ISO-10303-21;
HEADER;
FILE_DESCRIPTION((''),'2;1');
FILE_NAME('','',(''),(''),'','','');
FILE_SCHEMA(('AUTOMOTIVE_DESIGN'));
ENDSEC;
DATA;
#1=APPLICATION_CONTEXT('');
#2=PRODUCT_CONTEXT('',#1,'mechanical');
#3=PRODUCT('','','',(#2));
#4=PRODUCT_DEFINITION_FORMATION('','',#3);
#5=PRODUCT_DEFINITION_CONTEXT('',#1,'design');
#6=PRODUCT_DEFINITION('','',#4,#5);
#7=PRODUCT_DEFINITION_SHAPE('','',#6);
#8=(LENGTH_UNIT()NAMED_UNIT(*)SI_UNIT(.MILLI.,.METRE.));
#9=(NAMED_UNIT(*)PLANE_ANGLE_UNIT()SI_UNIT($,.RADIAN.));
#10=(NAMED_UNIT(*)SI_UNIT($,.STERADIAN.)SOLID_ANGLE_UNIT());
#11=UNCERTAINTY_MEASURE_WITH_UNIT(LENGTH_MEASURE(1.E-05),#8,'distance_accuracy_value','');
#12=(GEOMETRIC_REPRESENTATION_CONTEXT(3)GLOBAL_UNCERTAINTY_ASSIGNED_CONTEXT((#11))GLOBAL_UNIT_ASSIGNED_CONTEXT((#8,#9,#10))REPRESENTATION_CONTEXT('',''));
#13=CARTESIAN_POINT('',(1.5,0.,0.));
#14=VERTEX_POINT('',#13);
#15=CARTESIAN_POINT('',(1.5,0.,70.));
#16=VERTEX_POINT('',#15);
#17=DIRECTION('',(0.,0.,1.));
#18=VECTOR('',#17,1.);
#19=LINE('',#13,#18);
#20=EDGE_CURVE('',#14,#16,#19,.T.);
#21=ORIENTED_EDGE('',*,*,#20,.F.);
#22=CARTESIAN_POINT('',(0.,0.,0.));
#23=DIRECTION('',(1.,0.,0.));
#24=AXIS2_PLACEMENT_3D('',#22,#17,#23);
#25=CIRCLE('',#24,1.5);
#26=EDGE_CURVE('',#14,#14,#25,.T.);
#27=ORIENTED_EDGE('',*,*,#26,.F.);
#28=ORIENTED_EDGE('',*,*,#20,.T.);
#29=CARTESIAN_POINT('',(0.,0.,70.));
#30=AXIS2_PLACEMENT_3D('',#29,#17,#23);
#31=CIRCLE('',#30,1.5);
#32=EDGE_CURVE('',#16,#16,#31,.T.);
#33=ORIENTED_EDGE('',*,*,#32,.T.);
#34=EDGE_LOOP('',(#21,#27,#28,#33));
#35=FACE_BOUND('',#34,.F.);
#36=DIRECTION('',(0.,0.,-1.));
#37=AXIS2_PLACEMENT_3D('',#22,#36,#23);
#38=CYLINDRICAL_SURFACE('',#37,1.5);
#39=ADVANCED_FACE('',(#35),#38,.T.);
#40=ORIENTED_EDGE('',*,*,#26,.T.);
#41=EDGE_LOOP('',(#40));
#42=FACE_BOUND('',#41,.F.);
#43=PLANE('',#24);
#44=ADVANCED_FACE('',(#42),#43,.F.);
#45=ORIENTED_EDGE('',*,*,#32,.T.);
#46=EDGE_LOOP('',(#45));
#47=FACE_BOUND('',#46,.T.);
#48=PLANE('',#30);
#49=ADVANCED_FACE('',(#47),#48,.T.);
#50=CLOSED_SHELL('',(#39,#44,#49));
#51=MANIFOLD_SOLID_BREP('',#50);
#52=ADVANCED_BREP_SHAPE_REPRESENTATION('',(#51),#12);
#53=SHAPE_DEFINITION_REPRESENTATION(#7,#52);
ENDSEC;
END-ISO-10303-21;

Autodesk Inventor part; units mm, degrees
ref_plane "YZ Plane" through (0, 0, 0) normal (1, 0, 0) x (0, 1, 0)
ref_plane "XZ Plane" through (0, 0, 0) normal (0, 1, 0) x (-1, 0, 0)
ref_plane "XY Plane" through (0, 0, 0) normal (0, 0, 1) x (1, 0, 0)
sketch "Sketch1" plane through (0, 0, 0) normal (0, 0, 1) x (1, 0, 0)
  circle A0 centre (0, 0) radius 1.5
  dimension "d0" = 3
extrude "Extrusion1" add sketch "Sketch1" along normal blind 70
properties part number "GA_veioD3_L70"
